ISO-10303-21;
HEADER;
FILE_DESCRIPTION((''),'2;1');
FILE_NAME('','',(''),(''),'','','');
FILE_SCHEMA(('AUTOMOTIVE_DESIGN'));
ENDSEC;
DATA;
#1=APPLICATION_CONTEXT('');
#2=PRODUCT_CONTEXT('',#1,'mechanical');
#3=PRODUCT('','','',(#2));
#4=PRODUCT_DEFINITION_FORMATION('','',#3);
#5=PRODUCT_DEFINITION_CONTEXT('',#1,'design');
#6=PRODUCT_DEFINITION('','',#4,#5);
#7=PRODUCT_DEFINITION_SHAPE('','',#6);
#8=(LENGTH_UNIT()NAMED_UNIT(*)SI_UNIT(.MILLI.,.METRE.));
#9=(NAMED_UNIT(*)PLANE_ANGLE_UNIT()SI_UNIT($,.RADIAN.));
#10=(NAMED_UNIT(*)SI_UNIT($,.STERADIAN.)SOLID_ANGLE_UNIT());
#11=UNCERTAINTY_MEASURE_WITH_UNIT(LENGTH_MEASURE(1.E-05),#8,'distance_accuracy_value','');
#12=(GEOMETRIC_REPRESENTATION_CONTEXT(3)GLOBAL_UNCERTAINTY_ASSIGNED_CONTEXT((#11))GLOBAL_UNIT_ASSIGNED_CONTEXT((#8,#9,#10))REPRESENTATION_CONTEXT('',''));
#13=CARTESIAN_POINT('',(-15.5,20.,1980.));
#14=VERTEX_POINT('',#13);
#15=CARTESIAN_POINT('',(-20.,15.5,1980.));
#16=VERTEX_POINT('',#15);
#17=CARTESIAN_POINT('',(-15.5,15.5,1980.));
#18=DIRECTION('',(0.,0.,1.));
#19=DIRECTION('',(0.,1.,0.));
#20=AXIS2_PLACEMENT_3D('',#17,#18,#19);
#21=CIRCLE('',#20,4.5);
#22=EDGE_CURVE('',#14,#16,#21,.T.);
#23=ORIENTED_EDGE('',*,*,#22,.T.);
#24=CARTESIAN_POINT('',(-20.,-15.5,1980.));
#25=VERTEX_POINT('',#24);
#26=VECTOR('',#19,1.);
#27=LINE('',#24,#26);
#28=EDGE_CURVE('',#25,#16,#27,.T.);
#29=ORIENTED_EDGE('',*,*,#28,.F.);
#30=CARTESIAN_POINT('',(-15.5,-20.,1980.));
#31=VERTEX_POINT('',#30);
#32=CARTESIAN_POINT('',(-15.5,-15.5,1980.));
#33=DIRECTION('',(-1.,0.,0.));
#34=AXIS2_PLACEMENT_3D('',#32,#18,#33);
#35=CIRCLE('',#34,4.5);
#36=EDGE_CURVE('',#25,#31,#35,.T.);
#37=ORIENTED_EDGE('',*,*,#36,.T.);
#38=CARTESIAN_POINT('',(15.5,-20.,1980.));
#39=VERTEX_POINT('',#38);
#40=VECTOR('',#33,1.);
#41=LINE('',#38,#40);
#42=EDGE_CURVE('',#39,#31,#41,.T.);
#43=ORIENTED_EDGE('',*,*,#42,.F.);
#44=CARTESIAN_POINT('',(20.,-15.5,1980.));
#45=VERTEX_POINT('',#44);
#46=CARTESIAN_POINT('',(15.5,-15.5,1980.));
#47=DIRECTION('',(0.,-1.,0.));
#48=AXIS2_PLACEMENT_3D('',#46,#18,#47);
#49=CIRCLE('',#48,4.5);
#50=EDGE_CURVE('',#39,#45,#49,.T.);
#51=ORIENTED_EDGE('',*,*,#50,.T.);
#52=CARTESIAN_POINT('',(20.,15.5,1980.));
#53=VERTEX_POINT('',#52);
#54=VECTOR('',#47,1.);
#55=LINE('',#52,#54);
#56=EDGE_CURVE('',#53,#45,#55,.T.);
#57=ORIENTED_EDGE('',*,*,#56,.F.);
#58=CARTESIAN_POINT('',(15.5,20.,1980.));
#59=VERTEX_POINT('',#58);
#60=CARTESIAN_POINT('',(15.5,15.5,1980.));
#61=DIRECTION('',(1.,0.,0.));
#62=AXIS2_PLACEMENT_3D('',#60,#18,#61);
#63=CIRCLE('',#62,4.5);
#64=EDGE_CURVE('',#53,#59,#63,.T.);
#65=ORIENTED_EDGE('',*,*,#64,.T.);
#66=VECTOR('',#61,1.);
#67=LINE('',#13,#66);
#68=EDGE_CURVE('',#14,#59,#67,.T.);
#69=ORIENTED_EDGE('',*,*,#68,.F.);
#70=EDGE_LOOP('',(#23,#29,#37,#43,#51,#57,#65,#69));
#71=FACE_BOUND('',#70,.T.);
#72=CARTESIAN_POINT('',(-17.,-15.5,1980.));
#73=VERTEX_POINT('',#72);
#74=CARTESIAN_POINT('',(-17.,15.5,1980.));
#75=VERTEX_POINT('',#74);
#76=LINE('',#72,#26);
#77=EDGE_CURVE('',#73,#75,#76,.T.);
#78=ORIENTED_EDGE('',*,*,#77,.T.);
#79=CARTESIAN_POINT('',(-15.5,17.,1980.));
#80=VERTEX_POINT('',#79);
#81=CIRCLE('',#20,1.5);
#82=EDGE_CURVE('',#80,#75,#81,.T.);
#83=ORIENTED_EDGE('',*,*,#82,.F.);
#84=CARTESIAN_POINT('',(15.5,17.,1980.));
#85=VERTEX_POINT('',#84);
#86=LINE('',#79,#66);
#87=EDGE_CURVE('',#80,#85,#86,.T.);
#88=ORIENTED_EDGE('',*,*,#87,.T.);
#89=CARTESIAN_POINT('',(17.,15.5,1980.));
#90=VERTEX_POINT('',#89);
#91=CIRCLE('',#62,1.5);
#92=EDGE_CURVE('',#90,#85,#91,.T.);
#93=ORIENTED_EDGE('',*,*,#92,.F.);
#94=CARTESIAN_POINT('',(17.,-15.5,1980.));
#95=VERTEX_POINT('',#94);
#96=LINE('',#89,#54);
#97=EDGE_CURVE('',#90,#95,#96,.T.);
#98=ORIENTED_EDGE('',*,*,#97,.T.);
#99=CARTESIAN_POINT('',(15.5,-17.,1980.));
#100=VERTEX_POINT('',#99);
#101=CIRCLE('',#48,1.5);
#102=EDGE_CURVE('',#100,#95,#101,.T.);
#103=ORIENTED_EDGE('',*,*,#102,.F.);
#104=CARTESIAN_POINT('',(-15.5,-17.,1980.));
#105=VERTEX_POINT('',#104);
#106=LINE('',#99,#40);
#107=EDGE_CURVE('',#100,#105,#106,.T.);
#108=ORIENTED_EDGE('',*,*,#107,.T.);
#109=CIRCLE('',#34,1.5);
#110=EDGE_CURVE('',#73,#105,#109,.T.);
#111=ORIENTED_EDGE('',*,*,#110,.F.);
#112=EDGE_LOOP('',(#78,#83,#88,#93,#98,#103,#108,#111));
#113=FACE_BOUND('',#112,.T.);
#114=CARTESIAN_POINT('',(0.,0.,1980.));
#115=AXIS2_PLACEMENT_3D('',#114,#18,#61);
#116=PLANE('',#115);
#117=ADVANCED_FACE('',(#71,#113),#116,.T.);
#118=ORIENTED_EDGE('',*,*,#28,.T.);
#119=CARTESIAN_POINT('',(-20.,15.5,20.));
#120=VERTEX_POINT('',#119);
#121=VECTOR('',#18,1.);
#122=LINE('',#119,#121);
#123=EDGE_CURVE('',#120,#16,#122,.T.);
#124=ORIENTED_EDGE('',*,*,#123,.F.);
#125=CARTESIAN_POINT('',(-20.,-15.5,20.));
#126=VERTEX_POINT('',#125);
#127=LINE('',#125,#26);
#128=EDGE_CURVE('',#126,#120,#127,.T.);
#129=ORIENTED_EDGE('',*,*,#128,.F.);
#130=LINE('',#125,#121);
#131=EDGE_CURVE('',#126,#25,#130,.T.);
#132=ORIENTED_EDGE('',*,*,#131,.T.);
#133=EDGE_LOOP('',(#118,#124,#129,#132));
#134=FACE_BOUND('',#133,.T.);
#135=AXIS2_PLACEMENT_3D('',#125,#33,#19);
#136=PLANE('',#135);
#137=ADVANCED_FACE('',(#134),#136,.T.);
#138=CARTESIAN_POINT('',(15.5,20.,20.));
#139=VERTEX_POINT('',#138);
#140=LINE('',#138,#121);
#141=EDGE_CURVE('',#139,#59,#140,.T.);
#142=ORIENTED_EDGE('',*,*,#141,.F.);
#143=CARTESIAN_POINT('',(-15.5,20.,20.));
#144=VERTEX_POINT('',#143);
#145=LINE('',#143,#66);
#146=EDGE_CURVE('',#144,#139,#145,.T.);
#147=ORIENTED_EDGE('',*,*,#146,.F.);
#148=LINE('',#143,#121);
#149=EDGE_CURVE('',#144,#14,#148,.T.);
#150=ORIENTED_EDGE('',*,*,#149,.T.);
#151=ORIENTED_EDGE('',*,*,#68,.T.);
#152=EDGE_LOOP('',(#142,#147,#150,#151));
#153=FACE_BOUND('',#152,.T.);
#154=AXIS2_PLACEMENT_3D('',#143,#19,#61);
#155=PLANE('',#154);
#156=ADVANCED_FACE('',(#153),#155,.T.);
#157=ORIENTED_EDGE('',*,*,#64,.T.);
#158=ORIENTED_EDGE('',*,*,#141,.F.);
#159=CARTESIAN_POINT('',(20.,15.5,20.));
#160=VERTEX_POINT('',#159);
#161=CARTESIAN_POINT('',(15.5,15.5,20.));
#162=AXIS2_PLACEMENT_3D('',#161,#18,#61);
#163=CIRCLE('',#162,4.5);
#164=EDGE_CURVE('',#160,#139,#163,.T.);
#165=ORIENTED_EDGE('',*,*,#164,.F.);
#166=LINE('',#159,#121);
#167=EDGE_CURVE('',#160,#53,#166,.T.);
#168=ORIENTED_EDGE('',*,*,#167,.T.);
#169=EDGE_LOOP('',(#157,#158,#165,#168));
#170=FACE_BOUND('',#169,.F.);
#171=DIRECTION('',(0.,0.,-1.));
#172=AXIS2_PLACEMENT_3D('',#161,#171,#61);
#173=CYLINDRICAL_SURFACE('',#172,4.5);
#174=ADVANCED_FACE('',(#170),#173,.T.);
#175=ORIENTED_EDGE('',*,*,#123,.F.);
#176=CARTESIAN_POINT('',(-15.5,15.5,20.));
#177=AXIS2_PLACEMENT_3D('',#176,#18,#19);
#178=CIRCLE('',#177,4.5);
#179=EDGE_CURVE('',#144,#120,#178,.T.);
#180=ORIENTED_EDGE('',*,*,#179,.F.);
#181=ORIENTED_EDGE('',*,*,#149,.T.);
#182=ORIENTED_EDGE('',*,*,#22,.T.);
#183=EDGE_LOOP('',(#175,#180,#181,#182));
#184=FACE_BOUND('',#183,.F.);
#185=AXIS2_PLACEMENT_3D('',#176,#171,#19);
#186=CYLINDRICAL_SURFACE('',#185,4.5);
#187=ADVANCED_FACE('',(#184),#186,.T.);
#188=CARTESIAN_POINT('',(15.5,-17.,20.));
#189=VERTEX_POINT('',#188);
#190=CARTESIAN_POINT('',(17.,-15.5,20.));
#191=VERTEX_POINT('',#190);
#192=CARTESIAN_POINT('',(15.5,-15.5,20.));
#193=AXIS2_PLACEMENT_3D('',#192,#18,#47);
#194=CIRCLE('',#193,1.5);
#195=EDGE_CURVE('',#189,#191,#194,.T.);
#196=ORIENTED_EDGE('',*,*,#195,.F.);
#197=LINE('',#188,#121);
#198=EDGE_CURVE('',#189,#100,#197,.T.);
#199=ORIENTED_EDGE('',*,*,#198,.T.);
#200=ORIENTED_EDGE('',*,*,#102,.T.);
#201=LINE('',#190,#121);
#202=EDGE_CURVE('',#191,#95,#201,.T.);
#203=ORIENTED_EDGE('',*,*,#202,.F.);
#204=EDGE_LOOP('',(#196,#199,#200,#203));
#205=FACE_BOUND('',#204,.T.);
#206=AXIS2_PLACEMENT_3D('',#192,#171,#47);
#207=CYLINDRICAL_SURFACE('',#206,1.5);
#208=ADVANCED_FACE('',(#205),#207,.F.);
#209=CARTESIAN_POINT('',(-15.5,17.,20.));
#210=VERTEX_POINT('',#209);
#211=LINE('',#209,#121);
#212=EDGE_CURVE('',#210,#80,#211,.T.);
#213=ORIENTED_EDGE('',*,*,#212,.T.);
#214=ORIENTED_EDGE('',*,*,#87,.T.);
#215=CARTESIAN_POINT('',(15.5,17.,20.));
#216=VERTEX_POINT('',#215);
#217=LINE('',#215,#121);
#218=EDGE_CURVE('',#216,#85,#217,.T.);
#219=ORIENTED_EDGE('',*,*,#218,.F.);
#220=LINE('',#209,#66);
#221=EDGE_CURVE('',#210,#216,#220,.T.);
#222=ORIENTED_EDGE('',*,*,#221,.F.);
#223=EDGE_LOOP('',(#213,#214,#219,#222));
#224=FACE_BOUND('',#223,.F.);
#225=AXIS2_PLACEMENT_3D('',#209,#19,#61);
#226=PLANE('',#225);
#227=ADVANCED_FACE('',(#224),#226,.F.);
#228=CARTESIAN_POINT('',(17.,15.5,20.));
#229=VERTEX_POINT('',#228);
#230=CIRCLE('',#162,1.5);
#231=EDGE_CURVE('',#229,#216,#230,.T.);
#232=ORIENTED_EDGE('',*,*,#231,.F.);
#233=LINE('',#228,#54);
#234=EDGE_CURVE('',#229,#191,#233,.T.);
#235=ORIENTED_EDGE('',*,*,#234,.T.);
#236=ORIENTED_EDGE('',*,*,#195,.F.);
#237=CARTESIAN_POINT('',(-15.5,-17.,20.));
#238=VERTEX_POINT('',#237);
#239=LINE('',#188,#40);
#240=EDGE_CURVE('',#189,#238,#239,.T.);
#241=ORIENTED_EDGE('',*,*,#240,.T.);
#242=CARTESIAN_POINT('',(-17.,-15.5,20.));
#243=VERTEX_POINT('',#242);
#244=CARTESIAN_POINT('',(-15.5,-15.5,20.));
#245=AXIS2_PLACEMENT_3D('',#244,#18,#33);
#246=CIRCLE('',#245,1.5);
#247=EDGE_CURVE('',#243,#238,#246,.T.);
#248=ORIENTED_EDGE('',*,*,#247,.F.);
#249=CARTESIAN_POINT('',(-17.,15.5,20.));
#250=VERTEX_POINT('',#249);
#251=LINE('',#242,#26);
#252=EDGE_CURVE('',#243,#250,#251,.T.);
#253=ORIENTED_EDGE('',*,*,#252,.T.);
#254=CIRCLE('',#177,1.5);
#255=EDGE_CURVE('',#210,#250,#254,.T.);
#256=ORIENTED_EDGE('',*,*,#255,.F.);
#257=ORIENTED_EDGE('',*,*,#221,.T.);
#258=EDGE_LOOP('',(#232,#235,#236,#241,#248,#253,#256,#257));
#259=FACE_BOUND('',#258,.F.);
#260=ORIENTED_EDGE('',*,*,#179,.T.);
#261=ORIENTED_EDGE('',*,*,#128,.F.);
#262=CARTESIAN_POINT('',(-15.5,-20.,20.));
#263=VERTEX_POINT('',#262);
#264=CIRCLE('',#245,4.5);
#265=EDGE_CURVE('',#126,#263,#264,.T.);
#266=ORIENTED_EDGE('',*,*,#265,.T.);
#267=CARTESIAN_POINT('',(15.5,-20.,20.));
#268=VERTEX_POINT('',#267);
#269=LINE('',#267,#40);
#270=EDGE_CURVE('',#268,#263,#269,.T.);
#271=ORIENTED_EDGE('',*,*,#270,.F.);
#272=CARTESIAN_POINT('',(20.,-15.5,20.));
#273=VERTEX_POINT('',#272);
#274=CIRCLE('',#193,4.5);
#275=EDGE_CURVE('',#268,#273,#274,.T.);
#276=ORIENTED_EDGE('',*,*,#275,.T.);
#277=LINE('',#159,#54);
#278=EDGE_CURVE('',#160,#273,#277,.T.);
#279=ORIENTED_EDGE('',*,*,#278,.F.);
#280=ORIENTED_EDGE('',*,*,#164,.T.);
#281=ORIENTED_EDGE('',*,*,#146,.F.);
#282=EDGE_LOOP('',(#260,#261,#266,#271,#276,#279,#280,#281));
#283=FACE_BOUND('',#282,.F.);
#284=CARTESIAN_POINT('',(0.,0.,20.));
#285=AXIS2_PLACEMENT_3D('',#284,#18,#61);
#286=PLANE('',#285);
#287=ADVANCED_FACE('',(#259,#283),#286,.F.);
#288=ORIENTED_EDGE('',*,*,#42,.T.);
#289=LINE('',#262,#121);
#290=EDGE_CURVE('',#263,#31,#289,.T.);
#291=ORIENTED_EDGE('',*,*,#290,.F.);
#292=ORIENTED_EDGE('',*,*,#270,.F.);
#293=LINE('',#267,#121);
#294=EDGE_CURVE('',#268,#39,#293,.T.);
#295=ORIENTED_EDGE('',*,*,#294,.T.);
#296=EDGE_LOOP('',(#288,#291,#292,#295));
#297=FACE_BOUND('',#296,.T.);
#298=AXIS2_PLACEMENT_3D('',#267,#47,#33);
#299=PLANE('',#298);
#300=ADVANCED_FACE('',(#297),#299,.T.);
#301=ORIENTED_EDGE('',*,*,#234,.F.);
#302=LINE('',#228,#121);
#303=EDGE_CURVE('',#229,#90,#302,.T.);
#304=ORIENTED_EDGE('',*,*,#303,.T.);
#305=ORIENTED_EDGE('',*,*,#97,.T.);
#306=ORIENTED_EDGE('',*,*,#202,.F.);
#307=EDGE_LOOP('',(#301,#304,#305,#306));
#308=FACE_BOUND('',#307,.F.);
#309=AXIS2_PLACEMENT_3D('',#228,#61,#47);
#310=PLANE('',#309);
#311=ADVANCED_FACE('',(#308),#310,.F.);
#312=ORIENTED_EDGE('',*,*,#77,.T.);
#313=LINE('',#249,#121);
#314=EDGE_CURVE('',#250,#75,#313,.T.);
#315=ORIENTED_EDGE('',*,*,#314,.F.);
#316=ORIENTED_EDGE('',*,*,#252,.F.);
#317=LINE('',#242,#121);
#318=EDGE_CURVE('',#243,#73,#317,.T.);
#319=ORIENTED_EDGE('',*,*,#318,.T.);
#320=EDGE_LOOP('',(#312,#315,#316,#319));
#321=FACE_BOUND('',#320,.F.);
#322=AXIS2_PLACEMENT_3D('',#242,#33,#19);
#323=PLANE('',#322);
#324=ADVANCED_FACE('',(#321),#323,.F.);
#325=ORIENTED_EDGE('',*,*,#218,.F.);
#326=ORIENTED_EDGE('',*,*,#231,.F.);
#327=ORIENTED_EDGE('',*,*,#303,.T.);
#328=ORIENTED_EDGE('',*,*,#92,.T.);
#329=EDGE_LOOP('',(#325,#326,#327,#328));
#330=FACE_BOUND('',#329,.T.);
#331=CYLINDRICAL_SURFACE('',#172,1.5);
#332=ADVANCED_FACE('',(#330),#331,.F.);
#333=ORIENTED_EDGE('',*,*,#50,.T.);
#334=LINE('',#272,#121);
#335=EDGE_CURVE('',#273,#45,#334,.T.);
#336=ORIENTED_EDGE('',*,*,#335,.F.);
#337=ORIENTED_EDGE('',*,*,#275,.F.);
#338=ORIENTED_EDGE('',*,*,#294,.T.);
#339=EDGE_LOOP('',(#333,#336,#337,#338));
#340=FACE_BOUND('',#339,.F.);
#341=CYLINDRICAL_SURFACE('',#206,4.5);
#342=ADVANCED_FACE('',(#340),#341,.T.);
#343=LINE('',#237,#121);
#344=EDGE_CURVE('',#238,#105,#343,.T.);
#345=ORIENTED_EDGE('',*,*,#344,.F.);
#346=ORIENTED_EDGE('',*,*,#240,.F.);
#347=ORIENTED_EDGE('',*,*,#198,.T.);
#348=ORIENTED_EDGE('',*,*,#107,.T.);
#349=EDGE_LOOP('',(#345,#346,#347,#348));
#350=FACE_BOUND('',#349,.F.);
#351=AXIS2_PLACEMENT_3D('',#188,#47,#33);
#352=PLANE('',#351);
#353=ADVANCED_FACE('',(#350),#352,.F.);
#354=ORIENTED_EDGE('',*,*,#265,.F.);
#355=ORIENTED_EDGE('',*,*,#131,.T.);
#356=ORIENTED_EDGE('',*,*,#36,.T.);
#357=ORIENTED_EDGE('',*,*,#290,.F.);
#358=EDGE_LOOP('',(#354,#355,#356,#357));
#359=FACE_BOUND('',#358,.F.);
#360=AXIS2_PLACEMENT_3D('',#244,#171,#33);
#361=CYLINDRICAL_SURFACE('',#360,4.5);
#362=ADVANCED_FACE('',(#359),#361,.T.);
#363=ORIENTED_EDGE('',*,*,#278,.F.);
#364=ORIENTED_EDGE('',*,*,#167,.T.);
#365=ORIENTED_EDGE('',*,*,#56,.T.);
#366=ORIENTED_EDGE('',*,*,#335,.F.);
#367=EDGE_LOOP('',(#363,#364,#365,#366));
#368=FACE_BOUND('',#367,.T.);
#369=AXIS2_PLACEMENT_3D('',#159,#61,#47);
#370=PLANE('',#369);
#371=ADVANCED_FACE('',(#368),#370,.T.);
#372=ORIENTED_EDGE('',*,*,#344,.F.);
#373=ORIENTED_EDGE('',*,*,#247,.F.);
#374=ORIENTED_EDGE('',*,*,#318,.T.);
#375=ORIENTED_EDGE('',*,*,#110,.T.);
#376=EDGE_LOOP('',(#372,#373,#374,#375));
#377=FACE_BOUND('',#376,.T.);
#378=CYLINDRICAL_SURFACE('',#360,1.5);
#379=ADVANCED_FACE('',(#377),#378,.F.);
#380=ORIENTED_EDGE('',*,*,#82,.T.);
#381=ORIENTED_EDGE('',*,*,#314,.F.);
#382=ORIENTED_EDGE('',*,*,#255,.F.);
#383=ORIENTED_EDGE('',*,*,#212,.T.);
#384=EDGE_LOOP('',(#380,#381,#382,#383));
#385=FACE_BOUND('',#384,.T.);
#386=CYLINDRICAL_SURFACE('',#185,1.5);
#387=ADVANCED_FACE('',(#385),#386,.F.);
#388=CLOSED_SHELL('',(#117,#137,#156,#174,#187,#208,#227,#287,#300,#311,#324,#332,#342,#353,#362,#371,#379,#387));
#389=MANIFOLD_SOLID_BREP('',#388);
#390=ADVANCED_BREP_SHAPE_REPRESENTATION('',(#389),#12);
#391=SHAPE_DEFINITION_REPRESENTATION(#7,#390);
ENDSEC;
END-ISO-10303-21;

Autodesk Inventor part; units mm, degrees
ref_plane "Start Plane" through (0, 0, 20) normal (0, 0, 1) x (1, 0, 0)
ref_plane "End Plane" through (0, 0, 1980) normal (0, 0, 1) x (1, 0, 0)
sketch "Sketch" plane through (0, 0, 0) normal (0, 0, 1) x (1, 0, 0)
  line L0 (-20, -15.5) -> (-20, 15.5)
  line L1 (-15.5, 20) -> (15.5, 20)
  line L2 (20, 15.5) -> (20, -15.5)
  line L3 (15.5, -20) -> (-15.5, -20)
  arc A0 (-20, -15.5) -> (-15.5, -20) centre (-15.5, -15.5) ccw
  arc A1 (-15.5, 20) -> (-20, 15.5) centre (-15.5, 15.5) ccw
  arc A2 (20, 15.5) -> (15.5, 20) centre (15.5, 15.5) ccw
  arc A3 (15.5, -20) -> (20, -15.5) centre (15.5, -15.5) ccw
  arc A4 (-15.5, 17) -> (-17, 15.5) centre (-15.5, 15.5) ccw
  line L4 (-15.5, 17) -> (15.5, 17)
  arc A5 (17, 15.5) -> (15.5, 17) centre (15.5, 15.5) ccw
  line L5 (17, 15.5) -> (17, -15.5)
  arc A6 (15.5, -17) -> (17, -15.5) centre (15.5, -15.5) ccw
  line L6 (15.5, -17) -> (-15.5, -17)
  arc A7 (-17, -15.5) -> (-15.5, -17) centre (-15.5, -15.5) ccw
  line L7 (-17, -15.5) -> (-17, 15.5)
  line L8 (0, 29.3048) -> (0, -29.3048) construction
  line L9 (-29.3048, 0) -> (29.3048, 0) construction
  dimension "d7" = 4.5
  dimension "d10" = 40
  dimension "d11" = 40
  dimension "d12" = 3
  dimension "d15" = 20
  dimension "d16" = 20
extrude "Body" add sketch "Sketch" along normal up to surface (1960 mm away) from surface at 20
sketch "Sketch3" plane through (0, 0, 0) normal (0, 0, 1) x (1, 0, 0)
  line L0 (0, 0) -> (10, 0)
ref_plane "Work Plane3" through (0, 0, 0) normal (0, -1, 0) x (1, 0, 0)
ref_plane "Work Plane4" through (1200, -15.5, 1980) normal (0, 0, 1) x (1, 0, 0)
split "Split1" plane through (1200, -15.5, 1980) removes the side toward (0, 0, 1)
ref_plane "Work Plane5" through (0, -15.5, 20) normal (0, 0, -1) x (-1, 0, 0)
split "Split2" plane through (0, -15.5, 20) removes the side toward (0, 0, -1)
sketch "Sketch4" plane through (0, 0, 0) normal (0, -1, 0) x (1, 0, 0)
  line L0 (-2, 20) -> (12, 20) projected
  line L1 (-2, 1980) -> (12, 1980) projected
  dimension "d18" = 1960
equation "\"d7\" = G_IR"
equation "\"d10\" = G_H"
equation "\"d11\" = G_W"
equation "\"d12\" = G_T"
equation "\"d15\" = 0.5 * d10"
equation "\"d16\" = 0.5 * d11"
equation "\"d3\" = G_L"
equation "\"G_W\" = 40"
equation "\"G_H\" = 40"
equation "\"G_T\" = 3"
equation "\"G_IR\" = 4.5"
equation "\"G_L\" = d18"
properties part number "ISO 12633-2 - 40x40x3 - 1960" material "Steel, Mild"
